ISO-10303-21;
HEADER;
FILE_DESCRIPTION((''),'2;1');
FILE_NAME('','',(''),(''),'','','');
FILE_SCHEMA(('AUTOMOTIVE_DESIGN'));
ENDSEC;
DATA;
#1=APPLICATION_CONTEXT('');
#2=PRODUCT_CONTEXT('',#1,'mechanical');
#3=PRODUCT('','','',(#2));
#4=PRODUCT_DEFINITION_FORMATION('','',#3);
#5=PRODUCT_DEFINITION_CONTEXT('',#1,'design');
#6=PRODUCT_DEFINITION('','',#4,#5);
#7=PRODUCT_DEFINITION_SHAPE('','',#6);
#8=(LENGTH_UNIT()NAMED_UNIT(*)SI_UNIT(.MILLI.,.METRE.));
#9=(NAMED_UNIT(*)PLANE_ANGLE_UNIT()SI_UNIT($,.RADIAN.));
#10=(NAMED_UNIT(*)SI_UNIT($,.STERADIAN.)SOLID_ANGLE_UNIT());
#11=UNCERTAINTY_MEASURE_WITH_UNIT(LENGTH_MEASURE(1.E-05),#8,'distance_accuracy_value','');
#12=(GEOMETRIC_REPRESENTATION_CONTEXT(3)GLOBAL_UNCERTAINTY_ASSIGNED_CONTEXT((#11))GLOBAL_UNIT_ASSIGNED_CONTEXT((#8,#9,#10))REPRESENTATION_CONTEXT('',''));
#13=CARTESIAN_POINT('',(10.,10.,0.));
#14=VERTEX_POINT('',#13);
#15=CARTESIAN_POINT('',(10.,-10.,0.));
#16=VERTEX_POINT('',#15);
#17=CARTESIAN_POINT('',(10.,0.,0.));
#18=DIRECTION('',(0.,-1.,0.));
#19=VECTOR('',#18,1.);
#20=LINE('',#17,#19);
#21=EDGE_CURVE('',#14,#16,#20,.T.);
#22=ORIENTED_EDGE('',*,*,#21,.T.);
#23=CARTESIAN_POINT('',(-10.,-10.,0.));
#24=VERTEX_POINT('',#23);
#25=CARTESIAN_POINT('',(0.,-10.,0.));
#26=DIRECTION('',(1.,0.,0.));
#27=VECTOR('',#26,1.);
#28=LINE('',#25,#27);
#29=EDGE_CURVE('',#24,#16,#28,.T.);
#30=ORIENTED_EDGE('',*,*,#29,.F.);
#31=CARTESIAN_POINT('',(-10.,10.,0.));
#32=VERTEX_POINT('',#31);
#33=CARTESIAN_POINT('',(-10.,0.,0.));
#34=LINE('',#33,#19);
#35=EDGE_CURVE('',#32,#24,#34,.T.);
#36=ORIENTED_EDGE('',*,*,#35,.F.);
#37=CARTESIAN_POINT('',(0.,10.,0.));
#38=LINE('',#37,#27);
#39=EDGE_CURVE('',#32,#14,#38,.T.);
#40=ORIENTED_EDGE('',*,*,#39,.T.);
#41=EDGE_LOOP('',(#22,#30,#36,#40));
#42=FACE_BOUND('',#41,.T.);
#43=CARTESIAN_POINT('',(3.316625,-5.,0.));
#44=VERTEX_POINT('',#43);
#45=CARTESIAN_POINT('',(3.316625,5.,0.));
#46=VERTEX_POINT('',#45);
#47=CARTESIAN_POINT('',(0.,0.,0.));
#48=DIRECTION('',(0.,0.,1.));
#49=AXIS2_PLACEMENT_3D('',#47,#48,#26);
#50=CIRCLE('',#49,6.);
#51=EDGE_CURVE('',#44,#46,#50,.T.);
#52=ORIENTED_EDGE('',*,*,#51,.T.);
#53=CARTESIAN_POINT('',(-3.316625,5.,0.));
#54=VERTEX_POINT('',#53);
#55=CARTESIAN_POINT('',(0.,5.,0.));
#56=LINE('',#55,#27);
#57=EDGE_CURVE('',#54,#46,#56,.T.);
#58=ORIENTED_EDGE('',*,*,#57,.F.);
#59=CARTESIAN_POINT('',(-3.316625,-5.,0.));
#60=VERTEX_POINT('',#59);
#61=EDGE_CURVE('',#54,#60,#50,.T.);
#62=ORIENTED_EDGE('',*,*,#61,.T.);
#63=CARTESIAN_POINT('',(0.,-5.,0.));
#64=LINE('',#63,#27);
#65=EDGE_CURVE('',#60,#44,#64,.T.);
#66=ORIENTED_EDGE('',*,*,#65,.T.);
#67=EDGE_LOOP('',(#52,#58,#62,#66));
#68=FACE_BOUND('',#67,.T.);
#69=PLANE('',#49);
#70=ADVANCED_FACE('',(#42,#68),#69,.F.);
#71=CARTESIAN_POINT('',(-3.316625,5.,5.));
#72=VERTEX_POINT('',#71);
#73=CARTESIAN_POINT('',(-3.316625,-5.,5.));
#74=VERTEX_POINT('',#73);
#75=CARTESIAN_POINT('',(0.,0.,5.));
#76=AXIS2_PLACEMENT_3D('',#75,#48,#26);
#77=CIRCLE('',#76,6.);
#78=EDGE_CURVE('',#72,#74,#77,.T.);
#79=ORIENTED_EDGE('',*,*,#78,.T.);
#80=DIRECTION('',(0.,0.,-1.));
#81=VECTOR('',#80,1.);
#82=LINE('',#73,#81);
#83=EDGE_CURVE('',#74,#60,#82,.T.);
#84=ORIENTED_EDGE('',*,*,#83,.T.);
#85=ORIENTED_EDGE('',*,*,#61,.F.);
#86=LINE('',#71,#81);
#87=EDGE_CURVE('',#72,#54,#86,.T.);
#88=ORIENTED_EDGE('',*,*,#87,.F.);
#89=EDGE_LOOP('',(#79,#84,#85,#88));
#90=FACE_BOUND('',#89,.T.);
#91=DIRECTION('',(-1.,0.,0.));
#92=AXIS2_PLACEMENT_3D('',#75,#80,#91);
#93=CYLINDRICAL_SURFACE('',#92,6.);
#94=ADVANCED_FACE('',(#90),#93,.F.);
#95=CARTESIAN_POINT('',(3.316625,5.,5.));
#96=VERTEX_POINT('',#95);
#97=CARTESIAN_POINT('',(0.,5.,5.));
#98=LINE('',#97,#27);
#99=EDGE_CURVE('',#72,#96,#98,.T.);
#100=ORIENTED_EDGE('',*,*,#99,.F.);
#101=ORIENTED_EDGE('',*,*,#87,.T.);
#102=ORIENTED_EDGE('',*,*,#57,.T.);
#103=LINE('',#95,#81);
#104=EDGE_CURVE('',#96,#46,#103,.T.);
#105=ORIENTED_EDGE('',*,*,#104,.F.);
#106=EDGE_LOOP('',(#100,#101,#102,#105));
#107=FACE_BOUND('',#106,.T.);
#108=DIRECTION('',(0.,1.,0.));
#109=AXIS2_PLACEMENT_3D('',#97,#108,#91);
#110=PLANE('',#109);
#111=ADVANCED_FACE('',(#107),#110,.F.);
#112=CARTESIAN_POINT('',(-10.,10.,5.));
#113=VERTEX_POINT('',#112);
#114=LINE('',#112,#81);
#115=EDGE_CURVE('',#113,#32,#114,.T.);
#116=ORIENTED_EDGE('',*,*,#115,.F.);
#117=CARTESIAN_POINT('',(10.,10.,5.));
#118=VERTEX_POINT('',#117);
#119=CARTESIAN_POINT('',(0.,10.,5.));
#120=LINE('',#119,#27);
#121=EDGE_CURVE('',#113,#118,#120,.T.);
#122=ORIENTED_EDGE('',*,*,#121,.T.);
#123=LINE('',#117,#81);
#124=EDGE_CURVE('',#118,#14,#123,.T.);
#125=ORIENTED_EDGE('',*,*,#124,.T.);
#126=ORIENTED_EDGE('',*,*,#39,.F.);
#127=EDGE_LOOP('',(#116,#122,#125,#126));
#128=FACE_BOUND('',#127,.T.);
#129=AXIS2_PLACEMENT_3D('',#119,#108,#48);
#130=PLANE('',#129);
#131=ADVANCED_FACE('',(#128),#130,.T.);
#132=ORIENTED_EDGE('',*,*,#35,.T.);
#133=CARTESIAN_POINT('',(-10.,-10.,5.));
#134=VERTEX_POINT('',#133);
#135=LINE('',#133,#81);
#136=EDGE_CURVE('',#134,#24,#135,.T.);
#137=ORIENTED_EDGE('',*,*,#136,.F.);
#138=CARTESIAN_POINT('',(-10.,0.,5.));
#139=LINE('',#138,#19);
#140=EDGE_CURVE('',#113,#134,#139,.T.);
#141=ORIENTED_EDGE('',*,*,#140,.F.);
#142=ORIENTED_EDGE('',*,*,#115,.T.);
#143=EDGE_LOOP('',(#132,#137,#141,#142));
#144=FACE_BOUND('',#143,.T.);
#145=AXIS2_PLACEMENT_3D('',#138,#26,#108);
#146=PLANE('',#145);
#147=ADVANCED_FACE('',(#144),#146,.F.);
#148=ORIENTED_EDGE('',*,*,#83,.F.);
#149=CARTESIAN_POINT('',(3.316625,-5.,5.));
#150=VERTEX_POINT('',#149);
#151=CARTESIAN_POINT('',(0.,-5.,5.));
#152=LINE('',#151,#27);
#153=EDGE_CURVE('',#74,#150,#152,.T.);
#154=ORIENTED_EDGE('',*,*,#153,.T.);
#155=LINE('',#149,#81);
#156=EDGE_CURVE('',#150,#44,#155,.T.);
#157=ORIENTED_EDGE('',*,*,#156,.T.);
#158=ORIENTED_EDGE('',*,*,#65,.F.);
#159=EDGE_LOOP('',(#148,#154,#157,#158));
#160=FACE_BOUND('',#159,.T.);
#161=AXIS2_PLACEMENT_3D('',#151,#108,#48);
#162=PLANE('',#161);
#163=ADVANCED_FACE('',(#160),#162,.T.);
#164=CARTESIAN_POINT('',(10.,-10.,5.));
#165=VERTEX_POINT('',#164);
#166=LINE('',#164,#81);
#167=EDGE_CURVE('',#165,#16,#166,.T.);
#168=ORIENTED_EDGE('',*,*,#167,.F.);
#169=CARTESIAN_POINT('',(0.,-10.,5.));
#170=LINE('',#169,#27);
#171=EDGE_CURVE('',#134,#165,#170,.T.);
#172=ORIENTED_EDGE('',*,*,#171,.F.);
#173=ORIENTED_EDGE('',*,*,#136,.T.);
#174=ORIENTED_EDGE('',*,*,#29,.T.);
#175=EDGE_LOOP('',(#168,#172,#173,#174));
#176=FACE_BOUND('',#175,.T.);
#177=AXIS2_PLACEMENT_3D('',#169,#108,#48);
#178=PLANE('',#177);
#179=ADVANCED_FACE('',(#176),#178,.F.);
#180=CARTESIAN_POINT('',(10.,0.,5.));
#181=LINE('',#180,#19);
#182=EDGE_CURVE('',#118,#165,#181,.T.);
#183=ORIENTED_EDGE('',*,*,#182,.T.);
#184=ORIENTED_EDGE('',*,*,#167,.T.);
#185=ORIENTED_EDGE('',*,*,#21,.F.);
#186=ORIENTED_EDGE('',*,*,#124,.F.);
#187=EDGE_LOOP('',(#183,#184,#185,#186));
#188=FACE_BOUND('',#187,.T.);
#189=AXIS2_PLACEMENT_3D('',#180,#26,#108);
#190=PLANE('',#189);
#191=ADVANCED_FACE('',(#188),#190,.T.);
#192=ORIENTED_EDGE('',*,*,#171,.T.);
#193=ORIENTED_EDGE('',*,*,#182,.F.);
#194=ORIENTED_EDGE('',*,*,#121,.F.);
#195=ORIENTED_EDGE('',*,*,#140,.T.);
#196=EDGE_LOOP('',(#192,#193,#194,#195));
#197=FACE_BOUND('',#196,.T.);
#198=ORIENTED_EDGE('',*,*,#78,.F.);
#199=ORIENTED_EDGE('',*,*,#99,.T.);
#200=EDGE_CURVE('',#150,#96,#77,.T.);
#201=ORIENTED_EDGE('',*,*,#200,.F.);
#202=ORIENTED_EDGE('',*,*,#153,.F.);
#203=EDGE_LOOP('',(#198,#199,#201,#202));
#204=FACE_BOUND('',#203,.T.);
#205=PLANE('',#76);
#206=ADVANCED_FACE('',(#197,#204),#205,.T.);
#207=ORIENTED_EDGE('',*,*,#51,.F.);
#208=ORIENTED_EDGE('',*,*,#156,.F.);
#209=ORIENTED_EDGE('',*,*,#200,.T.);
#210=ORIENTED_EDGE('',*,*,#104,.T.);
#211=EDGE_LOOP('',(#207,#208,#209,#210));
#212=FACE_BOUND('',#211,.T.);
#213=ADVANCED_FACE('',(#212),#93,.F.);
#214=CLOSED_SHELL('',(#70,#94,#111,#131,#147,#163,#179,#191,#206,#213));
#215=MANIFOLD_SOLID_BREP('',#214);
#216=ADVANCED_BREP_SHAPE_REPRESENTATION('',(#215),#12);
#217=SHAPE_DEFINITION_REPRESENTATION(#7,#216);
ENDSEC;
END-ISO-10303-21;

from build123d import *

# Parameters (mm, degrees)
SKETCH1_W           = 20
SKETCH1_H           = 20
SKETCH1_R           = 6
BOSS_EXTRUDE1_DEPTH = 5


with BuildPart() as part:
    # Sketch1 → Boss-Extrude1 (new body)
    # profile 1 of 3: a face of its own
    with BuildSketch(Plane.XY):
        Rectangle(SKETCH1_W, SKETCH1_H)
        Circle(SKETCH1_R, mode=Mode.SUBTRACT)
    # profile 2 of 3: a face of its own
    with BuildSketch(Plane.XY):
        with BuildLine():
            ThreePointArc((3.31662479, 5), (0, 6), (-3.31662479, 5))
            Line((-3.31662479, 5), (3.31662479, 5))
        make_face()
    # profile 3 of 3: a face of its own
    with BuildSketch(Plane.XY):
        with BuildLine():
            Line((3.31662479, -5), (-3.31662479, -5))
            ThreePointArc((-3.31662479, -5), (0, -6), (3.31662479, -5))
        make_face()
    extrude(amount=BOSS_EXTRUDE1_DEPTH)


solid = part.part
